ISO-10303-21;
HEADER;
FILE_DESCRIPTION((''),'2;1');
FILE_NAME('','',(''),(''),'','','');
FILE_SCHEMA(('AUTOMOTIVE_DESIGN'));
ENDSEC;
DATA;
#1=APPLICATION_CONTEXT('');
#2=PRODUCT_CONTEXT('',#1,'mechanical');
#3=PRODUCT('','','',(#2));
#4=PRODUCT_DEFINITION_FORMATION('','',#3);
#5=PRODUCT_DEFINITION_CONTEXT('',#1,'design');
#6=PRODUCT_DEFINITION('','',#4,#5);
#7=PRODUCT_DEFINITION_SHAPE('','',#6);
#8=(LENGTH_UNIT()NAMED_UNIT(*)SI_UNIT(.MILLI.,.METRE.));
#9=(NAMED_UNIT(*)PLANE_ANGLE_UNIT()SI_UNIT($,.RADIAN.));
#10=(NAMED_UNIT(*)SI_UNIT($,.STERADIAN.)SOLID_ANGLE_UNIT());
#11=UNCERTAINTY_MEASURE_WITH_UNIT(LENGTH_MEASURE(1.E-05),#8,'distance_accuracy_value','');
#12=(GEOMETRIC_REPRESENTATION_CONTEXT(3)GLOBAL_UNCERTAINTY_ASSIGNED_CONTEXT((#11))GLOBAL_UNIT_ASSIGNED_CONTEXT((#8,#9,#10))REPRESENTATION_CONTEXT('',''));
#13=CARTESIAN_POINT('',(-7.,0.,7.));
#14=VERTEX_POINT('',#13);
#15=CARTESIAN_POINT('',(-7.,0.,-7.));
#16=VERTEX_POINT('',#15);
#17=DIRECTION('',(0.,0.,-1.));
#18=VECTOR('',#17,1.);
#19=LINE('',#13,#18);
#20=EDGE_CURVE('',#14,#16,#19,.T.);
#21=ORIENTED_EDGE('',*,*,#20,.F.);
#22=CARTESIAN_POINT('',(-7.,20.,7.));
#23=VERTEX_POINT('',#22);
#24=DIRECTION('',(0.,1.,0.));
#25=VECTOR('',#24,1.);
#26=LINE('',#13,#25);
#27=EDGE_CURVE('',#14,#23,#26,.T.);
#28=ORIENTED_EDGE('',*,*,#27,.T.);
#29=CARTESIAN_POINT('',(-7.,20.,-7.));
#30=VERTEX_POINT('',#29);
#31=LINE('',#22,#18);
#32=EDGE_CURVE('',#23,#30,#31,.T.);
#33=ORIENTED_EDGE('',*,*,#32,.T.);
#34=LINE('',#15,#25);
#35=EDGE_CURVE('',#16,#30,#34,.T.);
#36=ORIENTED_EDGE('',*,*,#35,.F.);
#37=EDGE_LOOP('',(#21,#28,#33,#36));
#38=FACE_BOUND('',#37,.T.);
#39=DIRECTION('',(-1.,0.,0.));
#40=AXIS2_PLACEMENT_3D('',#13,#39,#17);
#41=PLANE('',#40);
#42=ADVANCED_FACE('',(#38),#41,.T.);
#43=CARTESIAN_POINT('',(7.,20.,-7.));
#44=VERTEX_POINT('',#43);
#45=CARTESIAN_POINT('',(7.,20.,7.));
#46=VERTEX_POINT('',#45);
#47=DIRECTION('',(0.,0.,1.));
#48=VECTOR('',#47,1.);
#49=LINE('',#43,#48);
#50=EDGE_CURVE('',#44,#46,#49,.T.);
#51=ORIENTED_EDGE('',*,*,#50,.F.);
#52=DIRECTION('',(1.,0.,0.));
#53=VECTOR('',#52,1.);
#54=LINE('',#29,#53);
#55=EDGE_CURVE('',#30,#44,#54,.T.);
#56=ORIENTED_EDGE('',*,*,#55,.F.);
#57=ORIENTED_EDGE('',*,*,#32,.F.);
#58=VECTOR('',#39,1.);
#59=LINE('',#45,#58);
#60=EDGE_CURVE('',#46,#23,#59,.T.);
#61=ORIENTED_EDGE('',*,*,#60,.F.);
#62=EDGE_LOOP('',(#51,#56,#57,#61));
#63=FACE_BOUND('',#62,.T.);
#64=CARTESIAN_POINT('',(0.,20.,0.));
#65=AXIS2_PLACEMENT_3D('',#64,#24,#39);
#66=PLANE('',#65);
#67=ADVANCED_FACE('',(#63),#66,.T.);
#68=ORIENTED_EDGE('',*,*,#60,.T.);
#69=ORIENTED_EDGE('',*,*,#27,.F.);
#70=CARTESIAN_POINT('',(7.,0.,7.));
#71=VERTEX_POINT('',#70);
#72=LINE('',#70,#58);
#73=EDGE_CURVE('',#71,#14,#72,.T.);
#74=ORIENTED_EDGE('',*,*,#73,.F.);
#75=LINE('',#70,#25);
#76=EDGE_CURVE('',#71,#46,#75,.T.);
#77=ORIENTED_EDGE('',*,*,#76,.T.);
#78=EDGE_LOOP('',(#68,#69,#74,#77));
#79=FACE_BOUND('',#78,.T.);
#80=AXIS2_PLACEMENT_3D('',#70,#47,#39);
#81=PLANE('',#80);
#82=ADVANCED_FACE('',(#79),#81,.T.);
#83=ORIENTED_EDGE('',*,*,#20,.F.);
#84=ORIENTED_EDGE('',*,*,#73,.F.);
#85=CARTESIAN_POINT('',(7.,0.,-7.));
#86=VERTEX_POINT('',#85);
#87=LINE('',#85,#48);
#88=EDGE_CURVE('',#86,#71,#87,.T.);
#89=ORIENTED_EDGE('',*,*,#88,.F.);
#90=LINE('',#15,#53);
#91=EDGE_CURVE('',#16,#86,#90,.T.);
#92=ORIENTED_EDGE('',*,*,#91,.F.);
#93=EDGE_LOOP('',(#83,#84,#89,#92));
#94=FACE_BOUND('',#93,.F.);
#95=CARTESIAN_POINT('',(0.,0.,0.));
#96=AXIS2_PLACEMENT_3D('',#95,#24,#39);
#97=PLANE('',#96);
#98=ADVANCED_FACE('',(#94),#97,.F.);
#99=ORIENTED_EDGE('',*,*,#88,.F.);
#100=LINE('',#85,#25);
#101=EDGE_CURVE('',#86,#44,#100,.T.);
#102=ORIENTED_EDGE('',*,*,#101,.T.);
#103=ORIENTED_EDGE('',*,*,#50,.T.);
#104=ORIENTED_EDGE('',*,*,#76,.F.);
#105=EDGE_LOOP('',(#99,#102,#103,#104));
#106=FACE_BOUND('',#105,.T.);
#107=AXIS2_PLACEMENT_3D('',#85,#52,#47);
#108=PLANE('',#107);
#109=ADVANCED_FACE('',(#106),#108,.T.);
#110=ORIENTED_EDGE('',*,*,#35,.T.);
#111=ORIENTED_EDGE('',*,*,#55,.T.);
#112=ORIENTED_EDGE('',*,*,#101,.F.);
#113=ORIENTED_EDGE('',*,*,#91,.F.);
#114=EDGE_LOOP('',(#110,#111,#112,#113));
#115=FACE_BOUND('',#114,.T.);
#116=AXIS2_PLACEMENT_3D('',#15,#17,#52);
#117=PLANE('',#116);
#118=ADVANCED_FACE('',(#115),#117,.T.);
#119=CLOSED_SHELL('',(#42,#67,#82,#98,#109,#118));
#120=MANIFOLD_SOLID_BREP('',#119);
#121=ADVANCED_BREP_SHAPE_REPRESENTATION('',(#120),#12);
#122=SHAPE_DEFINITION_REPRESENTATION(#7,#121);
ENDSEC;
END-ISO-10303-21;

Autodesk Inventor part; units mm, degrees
ref_plane "YZ Plane" through (0, 0, 0) normal (1, 0, 0) x (0, 1, 0)
ref_plane "XZ Plane" through (0, 0, 0) normal (0, 1, 0) x (-1, 0, 0)
ref_plane "XY Plane" through (0, 0, 0) normal (0, 0, 1) x (1, 0, 0)
sketch "Sketch1" plane through (0, 0, 0) normal (0, 1, 0) x (-1, 0, 0)
  line L0 (-7, 7) -> (7, 7)
  line L1 (7, 7) -> (7, -7)
  line L2 (7, -7) -> (-7, -7)
  line L3 (-7, -7) -> (-7, 7)
  line L4 (-7, 7) -> (7, -7) construction
  line L5 (7, 7) -> (-7, -7) construction
  point P0 (0, 0)
  dimension "d0" = 14
  dimension "d1" = 14
extrude "Extrusion1" add sketch "Sketch1" along normal blind 20
properties part number "PILLARStest_3DPrint"
